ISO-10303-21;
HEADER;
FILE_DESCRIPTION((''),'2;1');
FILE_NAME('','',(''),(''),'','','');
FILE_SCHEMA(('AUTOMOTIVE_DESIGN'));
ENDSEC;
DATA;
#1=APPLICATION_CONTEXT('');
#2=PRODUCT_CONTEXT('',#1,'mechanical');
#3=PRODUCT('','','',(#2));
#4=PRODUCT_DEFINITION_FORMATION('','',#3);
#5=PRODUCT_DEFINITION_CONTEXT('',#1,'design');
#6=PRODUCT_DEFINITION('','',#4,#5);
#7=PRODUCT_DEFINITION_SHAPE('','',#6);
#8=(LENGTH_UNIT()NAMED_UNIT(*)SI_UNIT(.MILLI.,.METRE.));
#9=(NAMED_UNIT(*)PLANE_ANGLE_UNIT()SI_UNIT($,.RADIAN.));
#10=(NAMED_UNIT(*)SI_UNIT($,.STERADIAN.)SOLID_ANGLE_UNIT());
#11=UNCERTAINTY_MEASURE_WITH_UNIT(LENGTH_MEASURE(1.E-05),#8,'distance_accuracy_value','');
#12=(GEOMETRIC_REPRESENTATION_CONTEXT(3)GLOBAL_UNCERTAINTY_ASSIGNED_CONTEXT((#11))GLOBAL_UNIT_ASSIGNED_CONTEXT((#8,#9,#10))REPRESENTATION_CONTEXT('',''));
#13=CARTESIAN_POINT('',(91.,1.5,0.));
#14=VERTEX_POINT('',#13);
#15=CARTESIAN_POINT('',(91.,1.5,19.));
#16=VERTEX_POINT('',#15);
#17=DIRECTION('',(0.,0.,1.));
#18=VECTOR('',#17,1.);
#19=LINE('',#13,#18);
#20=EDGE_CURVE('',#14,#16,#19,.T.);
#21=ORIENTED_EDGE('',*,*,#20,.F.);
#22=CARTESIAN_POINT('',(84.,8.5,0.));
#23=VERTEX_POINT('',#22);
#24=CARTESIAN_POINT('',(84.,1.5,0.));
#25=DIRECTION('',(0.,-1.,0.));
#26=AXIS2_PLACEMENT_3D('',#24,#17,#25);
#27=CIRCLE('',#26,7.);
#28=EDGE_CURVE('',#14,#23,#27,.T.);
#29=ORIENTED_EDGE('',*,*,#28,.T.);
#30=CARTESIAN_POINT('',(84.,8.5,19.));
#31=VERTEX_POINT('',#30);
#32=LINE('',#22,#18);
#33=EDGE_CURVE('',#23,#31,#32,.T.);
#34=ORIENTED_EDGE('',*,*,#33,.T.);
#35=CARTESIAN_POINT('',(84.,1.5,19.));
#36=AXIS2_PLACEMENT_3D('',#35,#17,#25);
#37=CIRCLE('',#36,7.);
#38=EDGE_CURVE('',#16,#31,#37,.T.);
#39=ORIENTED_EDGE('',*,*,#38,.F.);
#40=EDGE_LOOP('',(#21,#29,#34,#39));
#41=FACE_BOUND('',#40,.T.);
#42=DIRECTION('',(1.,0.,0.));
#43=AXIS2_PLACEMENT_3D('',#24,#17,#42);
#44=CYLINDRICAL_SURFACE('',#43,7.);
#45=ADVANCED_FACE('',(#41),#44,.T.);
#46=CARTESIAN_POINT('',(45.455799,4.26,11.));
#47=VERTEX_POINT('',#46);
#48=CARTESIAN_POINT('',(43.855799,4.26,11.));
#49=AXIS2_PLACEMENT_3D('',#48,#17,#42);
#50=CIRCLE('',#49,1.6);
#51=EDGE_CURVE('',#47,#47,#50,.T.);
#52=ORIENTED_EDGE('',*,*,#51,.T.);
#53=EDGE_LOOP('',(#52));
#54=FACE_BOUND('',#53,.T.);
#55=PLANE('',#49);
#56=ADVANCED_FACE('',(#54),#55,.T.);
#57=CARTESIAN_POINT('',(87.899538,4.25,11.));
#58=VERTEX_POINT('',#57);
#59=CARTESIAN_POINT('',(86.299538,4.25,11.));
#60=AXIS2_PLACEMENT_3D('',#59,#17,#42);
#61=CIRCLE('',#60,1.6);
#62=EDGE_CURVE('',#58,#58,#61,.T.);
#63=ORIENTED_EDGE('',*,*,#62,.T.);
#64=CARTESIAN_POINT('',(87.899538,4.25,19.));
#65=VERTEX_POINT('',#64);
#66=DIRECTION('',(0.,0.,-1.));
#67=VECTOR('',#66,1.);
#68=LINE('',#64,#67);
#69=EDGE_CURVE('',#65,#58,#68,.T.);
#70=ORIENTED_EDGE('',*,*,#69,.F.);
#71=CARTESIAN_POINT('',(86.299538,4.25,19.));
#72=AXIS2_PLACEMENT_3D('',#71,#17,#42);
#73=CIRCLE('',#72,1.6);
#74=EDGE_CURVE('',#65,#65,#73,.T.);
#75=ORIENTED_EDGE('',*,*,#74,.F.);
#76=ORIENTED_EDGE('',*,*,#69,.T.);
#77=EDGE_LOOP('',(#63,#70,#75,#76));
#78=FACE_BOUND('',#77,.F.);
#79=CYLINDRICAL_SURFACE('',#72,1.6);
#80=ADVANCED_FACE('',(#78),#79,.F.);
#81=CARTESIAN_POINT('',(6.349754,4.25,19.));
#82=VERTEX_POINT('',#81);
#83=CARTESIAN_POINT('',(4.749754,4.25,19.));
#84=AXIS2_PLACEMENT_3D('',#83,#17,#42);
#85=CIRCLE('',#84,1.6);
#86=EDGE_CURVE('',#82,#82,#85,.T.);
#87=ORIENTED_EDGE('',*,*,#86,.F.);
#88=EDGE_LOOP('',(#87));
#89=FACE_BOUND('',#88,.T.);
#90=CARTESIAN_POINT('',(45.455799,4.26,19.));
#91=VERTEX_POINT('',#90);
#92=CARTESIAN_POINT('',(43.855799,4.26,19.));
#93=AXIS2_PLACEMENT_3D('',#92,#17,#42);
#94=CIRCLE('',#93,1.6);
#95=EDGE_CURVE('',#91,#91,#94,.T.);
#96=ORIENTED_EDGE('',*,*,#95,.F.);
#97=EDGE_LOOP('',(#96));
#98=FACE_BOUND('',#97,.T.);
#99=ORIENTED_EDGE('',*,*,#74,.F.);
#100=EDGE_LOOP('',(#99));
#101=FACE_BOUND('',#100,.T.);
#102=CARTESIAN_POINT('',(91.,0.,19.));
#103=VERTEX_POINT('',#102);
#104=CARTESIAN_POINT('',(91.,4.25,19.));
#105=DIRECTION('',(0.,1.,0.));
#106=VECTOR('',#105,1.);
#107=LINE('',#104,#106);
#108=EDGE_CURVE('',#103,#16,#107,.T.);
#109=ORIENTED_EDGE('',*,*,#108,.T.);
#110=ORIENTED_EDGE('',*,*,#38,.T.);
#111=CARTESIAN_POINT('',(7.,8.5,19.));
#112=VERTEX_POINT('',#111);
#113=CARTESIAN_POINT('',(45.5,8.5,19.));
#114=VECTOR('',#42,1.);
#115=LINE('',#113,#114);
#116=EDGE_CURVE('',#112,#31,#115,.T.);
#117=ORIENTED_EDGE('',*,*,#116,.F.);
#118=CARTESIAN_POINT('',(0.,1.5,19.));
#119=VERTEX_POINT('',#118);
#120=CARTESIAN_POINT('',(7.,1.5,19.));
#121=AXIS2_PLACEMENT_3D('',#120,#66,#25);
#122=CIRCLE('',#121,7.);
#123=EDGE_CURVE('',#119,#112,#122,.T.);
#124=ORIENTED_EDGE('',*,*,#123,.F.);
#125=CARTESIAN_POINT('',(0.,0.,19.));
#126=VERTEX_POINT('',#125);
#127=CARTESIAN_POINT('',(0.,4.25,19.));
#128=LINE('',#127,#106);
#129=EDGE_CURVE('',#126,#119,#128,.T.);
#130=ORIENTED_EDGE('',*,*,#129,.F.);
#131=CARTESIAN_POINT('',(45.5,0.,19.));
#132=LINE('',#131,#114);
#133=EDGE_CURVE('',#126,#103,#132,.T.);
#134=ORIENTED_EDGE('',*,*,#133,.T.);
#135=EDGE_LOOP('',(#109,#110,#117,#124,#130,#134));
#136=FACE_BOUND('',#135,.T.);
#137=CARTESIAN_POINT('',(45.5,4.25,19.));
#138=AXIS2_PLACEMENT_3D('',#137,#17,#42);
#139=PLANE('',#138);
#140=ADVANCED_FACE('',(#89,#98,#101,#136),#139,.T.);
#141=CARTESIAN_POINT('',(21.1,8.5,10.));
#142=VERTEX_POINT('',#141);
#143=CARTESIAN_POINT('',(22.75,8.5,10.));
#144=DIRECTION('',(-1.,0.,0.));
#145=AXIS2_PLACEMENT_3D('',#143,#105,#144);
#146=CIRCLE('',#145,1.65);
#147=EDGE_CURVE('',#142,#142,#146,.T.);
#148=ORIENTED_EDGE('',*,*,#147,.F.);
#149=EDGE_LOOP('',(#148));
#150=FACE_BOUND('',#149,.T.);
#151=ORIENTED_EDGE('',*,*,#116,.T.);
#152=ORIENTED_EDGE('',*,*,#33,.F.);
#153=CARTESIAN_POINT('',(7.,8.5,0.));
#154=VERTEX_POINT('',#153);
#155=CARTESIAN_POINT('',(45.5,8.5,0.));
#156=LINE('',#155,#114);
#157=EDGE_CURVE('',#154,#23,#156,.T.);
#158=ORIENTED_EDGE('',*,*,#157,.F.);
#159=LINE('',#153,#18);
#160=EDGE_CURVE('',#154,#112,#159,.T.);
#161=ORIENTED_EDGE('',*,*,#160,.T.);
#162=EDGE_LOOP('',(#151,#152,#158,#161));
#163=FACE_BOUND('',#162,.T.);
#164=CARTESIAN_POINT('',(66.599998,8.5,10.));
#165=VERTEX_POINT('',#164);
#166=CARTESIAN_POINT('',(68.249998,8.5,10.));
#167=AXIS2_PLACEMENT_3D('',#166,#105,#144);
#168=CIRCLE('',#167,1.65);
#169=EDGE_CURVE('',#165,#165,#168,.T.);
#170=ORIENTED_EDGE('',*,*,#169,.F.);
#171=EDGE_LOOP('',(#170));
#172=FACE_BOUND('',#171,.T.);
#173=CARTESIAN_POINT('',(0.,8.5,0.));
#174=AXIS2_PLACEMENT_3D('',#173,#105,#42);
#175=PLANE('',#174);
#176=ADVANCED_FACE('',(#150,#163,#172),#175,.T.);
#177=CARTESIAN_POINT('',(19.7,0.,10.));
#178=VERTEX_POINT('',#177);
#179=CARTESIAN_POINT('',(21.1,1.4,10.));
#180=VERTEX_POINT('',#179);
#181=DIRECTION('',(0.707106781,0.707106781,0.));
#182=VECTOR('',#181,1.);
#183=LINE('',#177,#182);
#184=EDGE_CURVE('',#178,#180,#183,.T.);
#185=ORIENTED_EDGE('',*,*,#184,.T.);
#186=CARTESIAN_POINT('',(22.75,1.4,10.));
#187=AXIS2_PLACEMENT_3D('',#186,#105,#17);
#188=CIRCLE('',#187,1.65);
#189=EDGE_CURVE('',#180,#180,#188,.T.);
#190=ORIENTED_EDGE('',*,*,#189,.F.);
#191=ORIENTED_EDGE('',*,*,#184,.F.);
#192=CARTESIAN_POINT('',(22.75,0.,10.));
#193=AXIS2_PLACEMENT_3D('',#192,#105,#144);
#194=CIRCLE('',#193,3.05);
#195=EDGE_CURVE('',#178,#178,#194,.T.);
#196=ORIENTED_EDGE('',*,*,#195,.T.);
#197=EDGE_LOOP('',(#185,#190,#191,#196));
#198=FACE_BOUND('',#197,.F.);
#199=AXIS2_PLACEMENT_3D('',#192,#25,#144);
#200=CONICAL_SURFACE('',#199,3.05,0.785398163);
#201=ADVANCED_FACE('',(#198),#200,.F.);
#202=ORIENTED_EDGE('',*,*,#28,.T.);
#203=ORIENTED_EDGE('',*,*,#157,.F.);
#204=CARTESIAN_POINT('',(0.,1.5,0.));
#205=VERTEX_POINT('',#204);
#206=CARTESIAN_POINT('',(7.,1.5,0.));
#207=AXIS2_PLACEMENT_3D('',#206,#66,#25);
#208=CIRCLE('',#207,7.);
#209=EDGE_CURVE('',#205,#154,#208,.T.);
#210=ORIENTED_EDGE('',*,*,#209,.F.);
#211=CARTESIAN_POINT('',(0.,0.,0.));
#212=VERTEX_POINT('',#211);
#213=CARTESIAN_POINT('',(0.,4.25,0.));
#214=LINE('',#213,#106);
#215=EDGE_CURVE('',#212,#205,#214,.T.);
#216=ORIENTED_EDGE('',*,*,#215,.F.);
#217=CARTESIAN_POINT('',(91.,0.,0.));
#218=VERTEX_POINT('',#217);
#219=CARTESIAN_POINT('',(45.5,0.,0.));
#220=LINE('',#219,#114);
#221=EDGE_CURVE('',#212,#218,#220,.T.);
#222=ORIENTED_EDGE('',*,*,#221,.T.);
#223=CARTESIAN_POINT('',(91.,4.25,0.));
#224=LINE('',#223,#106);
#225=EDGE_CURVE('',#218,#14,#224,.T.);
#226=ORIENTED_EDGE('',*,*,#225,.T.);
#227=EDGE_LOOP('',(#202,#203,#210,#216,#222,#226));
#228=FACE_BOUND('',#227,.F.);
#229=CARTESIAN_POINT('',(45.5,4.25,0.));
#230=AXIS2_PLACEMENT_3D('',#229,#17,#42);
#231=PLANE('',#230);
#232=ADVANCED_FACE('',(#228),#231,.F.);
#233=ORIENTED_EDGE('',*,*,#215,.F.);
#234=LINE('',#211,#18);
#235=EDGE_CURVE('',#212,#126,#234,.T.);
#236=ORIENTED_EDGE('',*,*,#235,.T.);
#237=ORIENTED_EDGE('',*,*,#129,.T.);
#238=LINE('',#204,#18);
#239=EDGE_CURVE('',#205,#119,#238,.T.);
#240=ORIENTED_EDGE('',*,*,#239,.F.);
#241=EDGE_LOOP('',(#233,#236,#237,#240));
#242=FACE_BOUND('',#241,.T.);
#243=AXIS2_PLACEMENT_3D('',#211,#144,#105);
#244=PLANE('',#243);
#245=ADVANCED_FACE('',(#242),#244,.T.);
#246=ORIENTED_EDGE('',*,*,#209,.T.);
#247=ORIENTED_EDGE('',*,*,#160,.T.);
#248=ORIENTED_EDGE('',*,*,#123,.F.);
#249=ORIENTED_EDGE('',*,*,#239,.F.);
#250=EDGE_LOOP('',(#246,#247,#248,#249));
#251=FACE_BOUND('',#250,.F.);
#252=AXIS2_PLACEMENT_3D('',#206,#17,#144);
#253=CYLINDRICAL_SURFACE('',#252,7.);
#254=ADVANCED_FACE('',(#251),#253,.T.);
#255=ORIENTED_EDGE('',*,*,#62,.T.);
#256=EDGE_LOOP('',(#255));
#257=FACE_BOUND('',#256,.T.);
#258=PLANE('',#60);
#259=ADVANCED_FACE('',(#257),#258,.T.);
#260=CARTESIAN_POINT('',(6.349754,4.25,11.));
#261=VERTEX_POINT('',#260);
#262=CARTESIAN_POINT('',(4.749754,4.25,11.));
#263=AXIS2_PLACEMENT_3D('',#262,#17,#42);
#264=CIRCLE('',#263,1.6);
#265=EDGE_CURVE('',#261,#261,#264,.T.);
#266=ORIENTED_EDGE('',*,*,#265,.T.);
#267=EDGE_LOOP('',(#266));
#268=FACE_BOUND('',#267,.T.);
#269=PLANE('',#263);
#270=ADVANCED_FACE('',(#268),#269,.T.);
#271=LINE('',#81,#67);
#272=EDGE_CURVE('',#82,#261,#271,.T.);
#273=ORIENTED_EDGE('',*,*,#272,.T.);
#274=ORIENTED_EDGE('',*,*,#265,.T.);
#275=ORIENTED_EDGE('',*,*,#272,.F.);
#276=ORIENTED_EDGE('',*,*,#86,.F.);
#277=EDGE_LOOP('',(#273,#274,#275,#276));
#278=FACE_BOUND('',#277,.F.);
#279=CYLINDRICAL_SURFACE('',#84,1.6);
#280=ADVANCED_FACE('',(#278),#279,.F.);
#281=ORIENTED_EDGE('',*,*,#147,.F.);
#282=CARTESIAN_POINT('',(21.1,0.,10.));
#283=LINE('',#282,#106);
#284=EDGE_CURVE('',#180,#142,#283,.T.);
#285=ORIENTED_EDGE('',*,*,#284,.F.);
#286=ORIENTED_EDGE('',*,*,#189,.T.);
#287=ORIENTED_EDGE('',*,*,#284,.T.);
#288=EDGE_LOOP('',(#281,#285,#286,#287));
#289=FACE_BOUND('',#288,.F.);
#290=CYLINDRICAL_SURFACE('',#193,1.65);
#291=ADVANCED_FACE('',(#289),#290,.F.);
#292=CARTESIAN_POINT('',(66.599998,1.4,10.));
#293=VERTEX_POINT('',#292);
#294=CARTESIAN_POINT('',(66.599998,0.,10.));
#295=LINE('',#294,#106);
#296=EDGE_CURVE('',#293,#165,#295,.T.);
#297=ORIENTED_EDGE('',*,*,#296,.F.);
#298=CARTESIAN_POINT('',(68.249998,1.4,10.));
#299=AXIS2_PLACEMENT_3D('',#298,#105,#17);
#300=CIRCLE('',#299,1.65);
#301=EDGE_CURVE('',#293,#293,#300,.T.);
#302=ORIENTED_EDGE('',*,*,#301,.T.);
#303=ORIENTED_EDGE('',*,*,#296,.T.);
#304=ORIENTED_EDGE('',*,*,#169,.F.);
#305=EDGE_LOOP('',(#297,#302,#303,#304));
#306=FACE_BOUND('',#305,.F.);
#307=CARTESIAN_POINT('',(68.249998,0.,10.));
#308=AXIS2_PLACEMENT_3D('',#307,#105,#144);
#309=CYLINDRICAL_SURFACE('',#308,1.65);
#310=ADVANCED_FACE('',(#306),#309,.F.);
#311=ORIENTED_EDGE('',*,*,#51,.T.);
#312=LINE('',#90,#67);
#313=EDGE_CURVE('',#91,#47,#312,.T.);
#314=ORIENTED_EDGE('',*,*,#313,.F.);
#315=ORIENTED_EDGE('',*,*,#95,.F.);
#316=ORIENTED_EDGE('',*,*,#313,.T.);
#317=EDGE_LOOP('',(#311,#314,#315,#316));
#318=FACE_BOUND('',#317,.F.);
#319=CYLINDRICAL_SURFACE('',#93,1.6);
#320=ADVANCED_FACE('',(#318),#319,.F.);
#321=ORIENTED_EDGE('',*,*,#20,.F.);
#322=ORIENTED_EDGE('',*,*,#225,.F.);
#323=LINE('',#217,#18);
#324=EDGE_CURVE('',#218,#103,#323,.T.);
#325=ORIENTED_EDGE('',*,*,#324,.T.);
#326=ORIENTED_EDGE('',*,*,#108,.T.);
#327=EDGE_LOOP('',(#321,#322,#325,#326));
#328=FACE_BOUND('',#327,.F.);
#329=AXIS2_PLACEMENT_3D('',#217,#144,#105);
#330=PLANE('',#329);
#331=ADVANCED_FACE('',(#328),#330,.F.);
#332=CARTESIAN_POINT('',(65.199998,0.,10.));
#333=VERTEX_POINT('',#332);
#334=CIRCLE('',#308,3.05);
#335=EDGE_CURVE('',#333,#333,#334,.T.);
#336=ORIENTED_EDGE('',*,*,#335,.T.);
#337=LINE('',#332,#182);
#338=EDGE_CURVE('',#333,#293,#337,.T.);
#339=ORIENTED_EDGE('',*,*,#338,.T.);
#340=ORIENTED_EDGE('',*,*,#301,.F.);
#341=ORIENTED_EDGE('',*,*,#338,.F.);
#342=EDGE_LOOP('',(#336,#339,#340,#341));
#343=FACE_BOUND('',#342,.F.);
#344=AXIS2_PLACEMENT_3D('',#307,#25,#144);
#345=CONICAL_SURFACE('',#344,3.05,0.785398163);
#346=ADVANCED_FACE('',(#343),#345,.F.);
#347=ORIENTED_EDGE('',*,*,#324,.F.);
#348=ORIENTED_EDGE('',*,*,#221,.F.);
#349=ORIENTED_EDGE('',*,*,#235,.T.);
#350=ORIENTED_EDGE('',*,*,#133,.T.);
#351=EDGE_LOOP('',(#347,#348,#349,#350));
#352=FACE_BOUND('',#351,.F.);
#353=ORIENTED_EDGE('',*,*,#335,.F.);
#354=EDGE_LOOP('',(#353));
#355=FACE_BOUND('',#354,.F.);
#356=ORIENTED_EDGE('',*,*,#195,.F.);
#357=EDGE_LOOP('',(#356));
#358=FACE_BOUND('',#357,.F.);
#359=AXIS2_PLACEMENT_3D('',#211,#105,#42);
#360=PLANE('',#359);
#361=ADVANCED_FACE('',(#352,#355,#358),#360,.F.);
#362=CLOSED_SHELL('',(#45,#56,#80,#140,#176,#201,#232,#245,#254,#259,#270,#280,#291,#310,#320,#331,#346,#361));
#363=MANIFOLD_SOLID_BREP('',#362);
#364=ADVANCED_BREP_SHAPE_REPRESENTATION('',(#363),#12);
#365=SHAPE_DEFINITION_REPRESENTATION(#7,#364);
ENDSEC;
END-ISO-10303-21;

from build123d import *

# Parameters (mm, degrees)
SKETCH_W         = 91
SKETCH_H         = 8.5
PAD_DEPTH        = 19
FILLET_R         = 7
SKETCH052_R      = 1.6
POCKET_DEPTH     = 8
HOLE_D           = 3.3
HOLE_DEPTH       = 25
HOLE_CSINK_D     = 6.1
HOLE_CSINK_ANGLE = 90


with BuildPart() as part:
    # Sketch → Pad (new body)
    with BuildSketch(Plane.XY):
        with Locations((45.5, 4.25)):
            Rectangle(SKETCH_W, SKETCH_H)
    extrude(amount=PAD_DEPTH)

    # Fillet
    fillet_edges = [part.edges().sort_by_distance(p)[0] for p in [
        (91, 8.5, 9.5),
        (0, 8.5, 9.5),
    ]]
    fillet(fillet_edges, radius=FILLET_R)

    # Sketch052 (on Face5 of Fillet) → Pocket (cut)
    with BuildSketch(Plane.XY.offset(19)):
        with Locations((4.749754, 4.25)):
            Circle(SKETCH052_R)
        with Locations((86.299538, 4.25)):
            Circle(SKETCH052_R)
        with Locations((43.855799, 4.26)):
            Circle(SKETCH052_R)
    extrude(amount=-POCKET_DEPTH, mode=Mode.SUBTRACT)

    # Hole
    with Locations(Plane.XZ):
        with Locations((22.75, 10), (68.249998, 10)):
            CounterSinkHole(HOLE_D / 2, HOLE_CSINK_D / 2, depth=HOLE_DEPTH, counter_sink_angle=HOLE_CSINK_ANGLE)


solid = part.part
